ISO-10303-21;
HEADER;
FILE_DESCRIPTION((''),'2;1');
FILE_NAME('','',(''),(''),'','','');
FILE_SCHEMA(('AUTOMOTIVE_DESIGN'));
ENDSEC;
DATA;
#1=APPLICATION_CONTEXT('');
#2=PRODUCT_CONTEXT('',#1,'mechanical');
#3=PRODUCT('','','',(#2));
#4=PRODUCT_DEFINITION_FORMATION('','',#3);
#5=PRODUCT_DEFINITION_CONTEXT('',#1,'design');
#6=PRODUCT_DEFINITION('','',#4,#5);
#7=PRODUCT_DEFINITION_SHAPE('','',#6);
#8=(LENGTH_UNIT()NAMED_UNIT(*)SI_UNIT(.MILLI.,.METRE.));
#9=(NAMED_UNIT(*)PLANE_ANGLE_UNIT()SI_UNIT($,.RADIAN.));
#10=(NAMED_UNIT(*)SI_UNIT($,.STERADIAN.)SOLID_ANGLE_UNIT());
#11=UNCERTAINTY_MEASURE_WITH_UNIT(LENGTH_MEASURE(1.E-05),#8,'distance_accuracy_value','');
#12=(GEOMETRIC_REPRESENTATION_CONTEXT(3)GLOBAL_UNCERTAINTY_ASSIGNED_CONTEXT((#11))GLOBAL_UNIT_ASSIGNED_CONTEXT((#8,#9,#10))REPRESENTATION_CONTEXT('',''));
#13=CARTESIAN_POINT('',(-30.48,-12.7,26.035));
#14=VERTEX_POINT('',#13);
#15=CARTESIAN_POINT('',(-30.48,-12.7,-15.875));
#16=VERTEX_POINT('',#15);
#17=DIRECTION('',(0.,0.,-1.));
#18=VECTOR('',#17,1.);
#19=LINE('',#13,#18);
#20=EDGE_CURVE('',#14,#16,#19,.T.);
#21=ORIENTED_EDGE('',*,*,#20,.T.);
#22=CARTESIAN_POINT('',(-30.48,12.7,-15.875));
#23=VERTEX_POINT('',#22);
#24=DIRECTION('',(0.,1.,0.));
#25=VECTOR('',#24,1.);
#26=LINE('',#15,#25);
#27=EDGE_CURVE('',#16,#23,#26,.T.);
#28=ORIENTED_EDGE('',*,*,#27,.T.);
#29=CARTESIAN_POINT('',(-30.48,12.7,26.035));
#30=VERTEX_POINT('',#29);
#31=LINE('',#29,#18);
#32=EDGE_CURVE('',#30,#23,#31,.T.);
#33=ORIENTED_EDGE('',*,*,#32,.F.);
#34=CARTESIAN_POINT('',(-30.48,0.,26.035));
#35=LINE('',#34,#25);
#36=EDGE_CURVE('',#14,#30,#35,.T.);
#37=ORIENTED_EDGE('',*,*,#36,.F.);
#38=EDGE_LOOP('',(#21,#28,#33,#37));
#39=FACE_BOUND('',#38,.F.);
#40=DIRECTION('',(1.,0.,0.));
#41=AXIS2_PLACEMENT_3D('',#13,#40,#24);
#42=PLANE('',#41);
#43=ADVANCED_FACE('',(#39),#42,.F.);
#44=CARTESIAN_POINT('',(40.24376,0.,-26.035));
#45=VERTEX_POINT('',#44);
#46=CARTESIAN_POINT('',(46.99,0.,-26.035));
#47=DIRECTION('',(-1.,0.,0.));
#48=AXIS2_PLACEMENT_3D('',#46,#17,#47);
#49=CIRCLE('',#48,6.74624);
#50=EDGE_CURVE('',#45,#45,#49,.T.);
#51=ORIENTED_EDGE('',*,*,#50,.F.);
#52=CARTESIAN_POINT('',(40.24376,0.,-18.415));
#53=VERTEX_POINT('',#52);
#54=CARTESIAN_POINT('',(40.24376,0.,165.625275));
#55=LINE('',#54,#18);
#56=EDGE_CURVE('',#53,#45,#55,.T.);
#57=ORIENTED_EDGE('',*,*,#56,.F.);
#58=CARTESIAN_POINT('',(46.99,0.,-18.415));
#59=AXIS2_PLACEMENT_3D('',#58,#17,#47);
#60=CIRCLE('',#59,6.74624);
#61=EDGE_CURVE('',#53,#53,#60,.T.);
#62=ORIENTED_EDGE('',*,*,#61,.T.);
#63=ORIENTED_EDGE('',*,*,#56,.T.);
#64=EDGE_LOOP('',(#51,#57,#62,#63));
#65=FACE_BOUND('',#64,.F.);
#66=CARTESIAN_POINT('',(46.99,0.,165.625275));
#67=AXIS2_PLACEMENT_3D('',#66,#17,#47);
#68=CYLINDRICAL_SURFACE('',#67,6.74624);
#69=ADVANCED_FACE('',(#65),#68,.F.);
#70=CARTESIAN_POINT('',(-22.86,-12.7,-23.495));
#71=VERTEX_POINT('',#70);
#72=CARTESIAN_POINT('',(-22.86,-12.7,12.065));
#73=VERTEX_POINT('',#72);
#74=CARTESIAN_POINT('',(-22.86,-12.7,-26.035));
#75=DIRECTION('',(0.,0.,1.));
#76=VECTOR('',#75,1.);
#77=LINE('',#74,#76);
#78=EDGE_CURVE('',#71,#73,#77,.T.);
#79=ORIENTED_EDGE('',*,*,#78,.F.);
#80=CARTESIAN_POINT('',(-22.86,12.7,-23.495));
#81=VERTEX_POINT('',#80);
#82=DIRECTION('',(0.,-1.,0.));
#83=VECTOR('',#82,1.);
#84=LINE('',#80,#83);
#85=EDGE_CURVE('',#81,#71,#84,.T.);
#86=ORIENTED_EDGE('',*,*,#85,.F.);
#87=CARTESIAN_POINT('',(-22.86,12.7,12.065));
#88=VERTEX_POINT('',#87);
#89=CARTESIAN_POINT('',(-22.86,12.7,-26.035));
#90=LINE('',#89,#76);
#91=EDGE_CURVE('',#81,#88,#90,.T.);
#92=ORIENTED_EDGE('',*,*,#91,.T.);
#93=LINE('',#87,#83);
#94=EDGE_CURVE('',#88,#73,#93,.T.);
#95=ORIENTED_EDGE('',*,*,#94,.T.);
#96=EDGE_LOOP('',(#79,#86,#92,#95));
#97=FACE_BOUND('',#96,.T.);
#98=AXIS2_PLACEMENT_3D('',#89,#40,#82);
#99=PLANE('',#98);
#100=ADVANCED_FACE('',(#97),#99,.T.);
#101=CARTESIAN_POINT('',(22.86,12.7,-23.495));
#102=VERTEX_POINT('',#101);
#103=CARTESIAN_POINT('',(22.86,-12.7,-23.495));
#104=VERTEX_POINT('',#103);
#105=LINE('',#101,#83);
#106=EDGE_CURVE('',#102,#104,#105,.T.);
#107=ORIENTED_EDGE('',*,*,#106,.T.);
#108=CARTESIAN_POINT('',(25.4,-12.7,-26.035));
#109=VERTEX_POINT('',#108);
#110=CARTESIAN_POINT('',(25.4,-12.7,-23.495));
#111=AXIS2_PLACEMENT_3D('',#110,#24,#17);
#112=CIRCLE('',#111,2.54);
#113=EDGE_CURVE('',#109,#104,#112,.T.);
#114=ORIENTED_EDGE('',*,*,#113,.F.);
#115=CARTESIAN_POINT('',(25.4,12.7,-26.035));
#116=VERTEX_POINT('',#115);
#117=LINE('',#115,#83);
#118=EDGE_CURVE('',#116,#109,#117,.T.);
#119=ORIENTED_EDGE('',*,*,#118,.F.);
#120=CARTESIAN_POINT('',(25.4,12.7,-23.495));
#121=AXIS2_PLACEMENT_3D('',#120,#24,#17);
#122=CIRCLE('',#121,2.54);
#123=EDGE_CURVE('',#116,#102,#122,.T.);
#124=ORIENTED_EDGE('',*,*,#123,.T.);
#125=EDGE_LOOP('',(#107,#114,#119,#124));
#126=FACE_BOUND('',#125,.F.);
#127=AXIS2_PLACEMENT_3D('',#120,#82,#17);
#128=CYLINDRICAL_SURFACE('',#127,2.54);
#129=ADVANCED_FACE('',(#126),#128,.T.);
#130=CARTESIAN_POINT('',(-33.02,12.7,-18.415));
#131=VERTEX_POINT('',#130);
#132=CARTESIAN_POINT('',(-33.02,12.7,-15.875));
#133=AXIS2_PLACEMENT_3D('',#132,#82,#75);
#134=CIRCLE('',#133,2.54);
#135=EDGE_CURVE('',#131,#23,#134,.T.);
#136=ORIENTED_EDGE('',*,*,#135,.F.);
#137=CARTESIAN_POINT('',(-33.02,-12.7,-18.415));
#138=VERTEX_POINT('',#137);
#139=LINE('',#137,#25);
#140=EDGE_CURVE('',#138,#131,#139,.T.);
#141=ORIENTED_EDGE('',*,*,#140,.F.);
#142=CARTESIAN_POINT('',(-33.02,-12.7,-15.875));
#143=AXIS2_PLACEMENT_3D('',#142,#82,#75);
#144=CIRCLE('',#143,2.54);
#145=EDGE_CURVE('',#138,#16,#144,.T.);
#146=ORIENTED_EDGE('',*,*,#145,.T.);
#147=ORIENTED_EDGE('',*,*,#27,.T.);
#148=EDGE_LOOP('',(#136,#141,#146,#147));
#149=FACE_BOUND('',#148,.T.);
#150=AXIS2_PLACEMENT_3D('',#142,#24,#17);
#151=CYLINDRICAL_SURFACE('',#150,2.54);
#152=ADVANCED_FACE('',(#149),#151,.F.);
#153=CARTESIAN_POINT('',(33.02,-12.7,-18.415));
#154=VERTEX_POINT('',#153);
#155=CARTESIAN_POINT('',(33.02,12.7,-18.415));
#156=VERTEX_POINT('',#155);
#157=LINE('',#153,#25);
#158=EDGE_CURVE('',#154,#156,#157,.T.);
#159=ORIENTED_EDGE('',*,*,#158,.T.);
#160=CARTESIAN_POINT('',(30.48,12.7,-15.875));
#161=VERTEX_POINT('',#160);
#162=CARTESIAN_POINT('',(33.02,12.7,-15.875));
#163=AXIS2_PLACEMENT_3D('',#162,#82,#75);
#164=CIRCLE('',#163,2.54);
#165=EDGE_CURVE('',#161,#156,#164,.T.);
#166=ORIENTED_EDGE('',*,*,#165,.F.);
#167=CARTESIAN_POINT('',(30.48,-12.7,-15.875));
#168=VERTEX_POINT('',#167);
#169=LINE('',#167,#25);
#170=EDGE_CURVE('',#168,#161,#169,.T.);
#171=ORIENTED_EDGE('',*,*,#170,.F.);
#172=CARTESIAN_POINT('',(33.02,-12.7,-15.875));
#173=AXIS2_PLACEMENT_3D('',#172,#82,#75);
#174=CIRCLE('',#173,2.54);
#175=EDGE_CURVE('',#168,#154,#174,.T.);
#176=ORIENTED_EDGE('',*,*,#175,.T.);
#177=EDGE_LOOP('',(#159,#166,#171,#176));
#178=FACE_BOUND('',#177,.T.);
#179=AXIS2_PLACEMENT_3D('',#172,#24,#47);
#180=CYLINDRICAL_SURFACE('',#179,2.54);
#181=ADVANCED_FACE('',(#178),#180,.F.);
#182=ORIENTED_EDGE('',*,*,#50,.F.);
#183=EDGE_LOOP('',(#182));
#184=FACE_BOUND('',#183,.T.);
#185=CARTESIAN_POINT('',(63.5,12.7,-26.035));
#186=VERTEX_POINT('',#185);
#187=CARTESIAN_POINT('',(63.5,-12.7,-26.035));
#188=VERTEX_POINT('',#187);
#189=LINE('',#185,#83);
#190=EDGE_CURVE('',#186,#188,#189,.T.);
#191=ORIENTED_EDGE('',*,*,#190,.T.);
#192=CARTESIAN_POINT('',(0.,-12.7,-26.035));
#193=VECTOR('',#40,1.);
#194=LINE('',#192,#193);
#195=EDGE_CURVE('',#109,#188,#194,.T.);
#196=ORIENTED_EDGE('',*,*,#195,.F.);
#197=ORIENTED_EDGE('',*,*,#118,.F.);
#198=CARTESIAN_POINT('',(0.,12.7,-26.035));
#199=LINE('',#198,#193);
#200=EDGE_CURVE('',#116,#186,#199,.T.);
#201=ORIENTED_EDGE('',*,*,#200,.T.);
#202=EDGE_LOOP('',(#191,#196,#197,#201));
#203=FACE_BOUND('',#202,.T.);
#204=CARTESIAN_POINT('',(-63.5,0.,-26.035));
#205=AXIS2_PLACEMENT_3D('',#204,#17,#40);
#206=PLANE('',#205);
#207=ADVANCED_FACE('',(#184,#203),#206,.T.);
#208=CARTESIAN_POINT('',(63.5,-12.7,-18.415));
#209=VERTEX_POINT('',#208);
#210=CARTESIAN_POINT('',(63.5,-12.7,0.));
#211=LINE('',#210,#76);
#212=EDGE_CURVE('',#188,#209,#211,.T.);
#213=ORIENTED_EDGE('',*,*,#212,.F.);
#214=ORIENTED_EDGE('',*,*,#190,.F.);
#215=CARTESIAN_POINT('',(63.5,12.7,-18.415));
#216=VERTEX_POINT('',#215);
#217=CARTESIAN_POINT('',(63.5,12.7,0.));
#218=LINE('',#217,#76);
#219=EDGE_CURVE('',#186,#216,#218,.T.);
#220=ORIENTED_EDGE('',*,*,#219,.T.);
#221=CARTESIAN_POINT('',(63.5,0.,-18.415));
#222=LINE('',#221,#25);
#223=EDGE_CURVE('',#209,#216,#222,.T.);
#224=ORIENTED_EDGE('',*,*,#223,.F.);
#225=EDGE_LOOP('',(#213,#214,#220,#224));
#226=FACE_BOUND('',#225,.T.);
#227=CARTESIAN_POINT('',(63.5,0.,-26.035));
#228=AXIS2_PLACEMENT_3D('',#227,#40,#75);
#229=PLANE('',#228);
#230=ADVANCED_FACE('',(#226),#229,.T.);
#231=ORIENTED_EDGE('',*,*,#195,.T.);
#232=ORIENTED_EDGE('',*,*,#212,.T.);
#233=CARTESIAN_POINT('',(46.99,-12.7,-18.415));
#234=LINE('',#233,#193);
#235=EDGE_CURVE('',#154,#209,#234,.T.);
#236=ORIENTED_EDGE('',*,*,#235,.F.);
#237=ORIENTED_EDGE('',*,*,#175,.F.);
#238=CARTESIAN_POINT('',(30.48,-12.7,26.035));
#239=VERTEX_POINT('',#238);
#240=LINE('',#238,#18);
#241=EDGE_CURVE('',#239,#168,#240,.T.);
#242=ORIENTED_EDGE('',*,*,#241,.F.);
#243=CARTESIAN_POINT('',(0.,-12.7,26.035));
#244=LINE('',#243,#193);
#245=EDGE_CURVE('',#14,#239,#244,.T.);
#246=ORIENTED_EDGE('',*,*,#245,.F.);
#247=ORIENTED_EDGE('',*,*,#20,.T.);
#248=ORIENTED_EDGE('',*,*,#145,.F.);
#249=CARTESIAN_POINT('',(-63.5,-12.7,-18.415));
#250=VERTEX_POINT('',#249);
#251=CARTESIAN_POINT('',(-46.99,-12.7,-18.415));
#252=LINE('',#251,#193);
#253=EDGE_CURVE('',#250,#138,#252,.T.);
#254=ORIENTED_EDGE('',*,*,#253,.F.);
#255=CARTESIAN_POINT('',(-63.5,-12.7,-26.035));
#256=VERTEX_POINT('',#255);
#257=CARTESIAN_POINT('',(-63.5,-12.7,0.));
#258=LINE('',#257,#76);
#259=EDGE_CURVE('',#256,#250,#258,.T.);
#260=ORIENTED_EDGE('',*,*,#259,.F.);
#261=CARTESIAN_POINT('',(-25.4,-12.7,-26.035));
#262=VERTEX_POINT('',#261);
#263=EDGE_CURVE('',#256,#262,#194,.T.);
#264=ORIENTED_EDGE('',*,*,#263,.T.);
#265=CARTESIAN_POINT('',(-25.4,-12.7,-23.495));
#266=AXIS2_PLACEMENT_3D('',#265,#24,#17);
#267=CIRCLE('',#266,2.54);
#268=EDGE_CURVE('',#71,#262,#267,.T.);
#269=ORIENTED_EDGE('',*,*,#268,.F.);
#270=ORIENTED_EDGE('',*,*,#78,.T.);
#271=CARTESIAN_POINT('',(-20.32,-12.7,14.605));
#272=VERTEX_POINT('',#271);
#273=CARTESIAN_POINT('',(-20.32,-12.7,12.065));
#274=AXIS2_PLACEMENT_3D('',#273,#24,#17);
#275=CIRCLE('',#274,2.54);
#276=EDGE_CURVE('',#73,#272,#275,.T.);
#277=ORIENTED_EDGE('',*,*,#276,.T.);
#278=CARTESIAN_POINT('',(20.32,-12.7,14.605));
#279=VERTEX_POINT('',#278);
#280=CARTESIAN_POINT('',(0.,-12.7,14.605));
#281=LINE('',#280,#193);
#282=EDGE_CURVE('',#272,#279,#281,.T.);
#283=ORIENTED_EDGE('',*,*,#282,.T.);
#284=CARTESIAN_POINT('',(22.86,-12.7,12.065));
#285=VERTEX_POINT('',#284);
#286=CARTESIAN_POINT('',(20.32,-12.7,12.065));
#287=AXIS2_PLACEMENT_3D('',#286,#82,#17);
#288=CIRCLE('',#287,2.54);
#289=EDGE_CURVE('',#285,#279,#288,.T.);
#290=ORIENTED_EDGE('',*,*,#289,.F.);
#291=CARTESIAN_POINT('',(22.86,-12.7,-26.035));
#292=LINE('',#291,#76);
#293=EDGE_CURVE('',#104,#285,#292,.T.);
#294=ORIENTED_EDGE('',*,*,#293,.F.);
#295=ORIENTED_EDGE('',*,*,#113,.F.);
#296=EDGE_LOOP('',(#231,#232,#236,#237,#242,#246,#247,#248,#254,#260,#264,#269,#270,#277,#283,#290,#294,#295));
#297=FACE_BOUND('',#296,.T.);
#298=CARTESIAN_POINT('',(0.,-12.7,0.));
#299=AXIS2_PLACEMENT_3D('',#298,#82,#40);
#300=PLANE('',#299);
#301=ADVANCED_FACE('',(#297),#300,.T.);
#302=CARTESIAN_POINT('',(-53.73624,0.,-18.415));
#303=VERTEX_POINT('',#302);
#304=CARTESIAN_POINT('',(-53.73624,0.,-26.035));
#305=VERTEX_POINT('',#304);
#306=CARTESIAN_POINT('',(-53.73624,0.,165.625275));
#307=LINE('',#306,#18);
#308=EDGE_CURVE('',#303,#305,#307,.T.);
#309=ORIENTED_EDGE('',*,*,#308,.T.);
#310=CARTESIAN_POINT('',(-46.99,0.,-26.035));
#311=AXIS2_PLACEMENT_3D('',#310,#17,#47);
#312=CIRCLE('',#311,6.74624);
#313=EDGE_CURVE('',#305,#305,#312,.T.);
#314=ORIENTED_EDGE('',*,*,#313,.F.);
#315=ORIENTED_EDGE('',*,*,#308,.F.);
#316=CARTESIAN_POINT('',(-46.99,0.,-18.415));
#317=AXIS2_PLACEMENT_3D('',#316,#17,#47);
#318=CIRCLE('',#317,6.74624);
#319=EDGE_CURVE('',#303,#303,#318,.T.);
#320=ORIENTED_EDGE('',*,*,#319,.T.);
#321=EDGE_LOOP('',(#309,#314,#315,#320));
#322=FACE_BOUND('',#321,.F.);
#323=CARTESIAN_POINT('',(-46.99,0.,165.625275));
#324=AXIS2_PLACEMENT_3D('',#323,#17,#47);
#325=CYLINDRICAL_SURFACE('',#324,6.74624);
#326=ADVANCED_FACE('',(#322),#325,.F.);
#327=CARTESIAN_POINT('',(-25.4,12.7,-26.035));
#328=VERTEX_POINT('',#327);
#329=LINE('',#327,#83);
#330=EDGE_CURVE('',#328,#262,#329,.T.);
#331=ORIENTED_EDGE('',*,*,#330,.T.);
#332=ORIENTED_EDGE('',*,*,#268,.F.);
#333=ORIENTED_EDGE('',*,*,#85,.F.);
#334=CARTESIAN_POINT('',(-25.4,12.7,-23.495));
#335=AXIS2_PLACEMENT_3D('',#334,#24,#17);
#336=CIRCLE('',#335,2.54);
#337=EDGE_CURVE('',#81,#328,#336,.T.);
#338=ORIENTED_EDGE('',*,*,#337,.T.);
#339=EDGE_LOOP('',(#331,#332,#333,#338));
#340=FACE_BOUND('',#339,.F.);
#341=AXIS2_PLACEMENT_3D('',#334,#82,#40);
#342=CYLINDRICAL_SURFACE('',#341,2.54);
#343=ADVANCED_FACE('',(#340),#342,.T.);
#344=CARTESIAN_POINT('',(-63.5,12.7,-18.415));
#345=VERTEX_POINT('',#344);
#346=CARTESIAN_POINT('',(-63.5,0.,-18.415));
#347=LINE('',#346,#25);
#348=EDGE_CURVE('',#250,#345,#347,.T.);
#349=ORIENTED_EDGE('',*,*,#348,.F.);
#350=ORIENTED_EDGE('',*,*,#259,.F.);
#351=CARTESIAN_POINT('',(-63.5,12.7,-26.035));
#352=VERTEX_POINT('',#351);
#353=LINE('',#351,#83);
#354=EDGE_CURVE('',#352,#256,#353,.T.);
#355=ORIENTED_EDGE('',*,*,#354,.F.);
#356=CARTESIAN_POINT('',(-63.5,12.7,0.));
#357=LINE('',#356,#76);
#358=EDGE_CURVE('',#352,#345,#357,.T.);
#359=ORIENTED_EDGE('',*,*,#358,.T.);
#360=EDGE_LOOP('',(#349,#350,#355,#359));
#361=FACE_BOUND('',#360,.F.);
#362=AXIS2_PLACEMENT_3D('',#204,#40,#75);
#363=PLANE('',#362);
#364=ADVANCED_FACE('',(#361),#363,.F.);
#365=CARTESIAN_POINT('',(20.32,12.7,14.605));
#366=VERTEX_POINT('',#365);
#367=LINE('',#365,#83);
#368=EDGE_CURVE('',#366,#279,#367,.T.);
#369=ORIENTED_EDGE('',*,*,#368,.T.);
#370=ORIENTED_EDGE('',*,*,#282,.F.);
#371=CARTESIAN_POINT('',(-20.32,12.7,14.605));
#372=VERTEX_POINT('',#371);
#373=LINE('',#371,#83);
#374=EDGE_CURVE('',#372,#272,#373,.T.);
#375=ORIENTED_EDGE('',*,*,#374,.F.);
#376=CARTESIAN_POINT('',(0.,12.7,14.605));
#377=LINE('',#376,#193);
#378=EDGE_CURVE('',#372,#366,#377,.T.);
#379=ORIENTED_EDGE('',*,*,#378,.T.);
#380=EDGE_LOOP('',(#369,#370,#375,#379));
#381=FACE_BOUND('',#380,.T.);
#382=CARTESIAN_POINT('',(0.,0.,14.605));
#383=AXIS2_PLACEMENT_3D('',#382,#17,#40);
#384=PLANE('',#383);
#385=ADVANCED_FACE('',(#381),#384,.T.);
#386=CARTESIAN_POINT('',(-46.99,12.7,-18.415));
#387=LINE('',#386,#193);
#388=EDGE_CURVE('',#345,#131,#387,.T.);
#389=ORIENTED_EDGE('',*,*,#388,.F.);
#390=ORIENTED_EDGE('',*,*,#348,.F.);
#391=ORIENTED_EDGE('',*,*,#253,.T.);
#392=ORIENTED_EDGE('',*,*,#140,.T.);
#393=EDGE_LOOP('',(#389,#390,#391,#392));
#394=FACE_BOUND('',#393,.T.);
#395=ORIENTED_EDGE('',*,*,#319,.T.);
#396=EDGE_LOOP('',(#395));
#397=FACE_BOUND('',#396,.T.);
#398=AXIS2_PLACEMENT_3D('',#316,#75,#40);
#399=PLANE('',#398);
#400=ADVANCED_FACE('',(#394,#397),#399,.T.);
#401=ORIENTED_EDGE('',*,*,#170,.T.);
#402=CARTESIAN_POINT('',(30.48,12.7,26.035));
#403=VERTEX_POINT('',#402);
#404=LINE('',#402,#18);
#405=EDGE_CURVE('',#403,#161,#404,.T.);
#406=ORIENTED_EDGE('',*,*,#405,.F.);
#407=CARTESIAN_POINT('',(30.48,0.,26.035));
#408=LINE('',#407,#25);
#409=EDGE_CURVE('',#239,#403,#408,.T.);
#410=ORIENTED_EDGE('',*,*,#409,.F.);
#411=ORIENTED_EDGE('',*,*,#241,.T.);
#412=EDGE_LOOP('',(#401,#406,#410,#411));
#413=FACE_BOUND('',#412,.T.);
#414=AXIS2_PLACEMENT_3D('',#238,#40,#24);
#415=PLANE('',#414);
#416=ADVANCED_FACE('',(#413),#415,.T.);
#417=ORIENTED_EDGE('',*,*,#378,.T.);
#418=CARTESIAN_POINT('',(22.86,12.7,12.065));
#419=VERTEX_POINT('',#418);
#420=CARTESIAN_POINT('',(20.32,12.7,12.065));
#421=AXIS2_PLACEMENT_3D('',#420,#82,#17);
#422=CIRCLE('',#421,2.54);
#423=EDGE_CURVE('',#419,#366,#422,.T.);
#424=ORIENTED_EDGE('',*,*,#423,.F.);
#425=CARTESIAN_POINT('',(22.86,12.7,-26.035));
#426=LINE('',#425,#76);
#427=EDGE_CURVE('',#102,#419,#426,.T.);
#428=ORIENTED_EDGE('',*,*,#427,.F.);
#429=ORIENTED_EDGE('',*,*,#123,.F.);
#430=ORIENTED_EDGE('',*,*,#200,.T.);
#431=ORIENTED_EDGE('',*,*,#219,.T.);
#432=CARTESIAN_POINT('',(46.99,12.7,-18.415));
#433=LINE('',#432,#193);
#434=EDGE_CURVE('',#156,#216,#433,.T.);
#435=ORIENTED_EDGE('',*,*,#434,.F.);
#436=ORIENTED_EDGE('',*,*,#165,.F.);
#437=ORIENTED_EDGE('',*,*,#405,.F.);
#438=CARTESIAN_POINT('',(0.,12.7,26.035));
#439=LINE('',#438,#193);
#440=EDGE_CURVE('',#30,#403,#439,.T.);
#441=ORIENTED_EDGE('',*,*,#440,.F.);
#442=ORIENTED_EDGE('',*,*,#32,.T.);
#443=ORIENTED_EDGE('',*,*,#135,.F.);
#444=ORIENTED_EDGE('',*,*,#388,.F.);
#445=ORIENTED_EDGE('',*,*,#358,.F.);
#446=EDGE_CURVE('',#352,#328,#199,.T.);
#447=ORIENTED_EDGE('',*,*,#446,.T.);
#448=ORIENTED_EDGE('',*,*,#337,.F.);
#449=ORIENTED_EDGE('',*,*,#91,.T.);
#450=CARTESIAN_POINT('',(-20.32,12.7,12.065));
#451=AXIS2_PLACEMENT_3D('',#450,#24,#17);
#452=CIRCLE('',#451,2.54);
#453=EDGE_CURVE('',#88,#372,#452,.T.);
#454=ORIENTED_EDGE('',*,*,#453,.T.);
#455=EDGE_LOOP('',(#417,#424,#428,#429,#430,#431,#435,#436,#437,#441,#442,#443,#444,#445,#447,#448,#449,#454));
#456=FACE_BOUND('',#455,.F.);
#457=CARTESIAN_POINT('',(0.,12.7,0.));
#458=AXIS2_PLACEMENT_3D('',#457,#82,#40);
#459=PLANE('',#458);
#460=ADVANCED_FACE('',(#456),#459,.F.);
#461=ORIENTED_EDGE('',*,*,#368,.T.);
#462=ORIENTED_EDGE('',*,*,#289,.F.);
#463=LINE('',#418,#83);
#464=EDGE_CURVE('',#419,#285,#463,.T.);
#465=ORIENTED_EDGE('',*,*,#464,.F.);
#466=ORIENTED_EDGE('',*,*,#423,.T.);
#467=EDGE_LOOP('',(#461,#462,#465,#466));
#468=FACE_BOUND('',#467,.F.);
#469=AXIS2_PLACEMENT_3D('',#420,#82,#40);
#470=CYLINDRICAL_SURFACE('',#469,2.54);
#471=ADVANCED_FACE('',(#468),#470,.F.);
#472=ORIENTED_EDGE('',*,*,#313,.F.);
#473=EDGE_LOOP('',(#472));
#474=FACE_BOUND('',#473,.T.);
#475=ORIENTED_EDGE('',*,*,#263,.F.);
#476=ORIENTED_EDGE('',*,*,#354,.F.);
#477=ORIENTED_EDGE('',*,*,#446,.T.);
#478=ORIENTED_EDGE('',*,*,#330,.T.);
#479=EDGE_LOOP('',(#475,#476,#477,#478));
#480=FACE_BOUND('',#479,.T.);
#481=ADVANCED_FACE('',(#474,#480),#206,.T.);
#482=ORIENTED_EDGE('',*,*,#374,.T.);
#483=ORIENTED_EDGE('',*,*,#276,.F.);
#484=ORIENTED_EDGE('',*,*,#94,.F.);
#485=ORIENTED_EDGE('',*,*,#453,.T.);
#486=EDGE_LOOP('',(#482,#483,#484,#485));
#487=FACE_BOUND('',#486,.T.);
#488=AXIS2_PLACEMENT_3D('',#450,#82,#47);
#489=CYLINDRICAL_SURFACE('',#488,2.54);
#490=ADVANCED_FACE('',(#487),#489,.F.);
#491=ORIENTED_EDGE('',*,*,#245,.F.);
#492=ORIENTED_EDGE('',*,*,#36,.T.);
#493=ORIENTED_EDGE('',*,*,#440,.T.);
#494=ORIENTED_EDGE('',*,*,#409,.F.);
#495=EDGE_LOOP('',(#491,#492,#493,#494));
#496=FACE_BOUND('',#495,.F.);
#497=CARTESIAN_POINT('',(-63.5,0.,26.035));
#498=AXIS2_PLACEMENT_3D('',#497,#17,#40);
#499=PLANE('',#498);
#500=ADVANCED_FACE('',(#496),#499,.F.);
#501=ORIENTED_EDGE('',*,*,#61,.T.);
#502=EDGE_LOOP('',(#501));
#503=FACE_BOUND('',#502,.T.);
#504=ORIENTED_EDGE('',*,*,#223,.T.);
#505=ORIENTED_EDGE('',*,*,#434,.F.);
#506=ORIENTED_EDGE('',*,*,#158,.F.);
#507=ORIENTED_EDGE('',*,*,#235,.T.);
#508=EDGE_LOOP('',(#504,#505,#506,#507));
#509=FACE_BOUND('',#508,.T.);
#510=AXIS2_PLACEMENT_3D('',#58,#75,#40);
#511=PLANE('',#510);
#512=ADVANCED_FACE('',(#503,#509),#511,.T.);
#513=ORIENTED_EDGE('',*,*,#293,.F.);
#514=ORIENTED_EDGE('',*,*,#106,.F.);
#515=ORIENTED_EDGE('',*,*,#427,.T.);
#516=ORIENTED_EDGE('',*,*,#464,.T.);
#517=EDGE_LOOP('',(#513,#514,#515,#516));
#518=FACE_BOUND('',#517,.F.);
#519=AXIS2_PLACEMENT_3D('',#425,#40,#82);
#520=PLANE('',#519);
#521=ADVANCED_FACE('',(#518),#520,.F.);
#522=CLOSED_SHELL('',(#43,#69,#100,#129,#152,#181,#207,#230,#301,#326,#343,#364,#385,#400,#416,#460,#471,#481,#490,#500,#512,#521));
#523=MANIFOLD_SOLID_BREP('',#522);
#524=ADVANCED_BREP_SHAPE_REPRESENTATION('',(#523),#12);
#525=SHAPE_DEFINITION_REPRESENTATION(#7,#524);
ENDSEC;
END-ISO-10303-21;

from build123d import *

# Parameters (mm, degrees)
F0_W     = 127
F0_H     = 52.07
F1_DEPTH = 12.7
F2_W     = 45.72
F2_H     = 25.4
F3_DEPTH = 40.64
F4_R     = 2.54
F5_W     = 33.02
F5_H     = 25.4
F6_DEPTH = 44.45
F7_R     = 2.54
F8_D     = 13.49248


with BuildPart() as f1:
    # F0 (on Front) → F1 (new body, symmetric)
    with BuildSketch(Plane.XZ):
        Rectangle(F0_W, F0_H)
    extrude(amount=F1_DEPTH, both=True)

    # F2 (on face) → F3 (cut)
    with BuildSketch(Plane(origin=(0, 0, -26.035), x_dir=(1, 0, 0), z_dir=(0, 0, -1))):
        Rectangle(F2_W, F2_H)
    extrude(amount=-F3_DEPTH, mode=Mode.SUBTRACT)

    # F4
    f4_edges = [f1.edges().sort_by_distance(p)[0] for p in [
        (-22.86, 0, 14.605),
        (22.86, 0, 14.605),
    ]]
    fillet(f4_edges, radius=F4_R)

    # F5 (on face) → F6 (cut)
    with BuildSketch(Plane.XY.offset(26.035)):
        with Locations((-46.99, 0)):
            Rectangle(F5_W, F5_H)
        with Locations((46.99, 0)):
            Rectangle(F5_W, F5_H)
    extrude(amount=-F6_DEPTH, mode=Mode.SUBTRACT)

    # F7
    f7_edges = [f1.edges().sort_by_distance(p)[0] for p in [
        (-30.48, 0, -18.415),
        (30.48, 0, -18.415),
        (-22.86, 0, -26.035),
        (22.86, 0, -26.035),
    ]]
    fillet(f7_edges, radius=F7_R)

    # F8 (through all)
    with Locations(Plane.XY.offset(26.035)):
        with Locations((-46.99, 0), (46.99, 0)):
            Hole(F8_D / 2)


solid = f1.part
